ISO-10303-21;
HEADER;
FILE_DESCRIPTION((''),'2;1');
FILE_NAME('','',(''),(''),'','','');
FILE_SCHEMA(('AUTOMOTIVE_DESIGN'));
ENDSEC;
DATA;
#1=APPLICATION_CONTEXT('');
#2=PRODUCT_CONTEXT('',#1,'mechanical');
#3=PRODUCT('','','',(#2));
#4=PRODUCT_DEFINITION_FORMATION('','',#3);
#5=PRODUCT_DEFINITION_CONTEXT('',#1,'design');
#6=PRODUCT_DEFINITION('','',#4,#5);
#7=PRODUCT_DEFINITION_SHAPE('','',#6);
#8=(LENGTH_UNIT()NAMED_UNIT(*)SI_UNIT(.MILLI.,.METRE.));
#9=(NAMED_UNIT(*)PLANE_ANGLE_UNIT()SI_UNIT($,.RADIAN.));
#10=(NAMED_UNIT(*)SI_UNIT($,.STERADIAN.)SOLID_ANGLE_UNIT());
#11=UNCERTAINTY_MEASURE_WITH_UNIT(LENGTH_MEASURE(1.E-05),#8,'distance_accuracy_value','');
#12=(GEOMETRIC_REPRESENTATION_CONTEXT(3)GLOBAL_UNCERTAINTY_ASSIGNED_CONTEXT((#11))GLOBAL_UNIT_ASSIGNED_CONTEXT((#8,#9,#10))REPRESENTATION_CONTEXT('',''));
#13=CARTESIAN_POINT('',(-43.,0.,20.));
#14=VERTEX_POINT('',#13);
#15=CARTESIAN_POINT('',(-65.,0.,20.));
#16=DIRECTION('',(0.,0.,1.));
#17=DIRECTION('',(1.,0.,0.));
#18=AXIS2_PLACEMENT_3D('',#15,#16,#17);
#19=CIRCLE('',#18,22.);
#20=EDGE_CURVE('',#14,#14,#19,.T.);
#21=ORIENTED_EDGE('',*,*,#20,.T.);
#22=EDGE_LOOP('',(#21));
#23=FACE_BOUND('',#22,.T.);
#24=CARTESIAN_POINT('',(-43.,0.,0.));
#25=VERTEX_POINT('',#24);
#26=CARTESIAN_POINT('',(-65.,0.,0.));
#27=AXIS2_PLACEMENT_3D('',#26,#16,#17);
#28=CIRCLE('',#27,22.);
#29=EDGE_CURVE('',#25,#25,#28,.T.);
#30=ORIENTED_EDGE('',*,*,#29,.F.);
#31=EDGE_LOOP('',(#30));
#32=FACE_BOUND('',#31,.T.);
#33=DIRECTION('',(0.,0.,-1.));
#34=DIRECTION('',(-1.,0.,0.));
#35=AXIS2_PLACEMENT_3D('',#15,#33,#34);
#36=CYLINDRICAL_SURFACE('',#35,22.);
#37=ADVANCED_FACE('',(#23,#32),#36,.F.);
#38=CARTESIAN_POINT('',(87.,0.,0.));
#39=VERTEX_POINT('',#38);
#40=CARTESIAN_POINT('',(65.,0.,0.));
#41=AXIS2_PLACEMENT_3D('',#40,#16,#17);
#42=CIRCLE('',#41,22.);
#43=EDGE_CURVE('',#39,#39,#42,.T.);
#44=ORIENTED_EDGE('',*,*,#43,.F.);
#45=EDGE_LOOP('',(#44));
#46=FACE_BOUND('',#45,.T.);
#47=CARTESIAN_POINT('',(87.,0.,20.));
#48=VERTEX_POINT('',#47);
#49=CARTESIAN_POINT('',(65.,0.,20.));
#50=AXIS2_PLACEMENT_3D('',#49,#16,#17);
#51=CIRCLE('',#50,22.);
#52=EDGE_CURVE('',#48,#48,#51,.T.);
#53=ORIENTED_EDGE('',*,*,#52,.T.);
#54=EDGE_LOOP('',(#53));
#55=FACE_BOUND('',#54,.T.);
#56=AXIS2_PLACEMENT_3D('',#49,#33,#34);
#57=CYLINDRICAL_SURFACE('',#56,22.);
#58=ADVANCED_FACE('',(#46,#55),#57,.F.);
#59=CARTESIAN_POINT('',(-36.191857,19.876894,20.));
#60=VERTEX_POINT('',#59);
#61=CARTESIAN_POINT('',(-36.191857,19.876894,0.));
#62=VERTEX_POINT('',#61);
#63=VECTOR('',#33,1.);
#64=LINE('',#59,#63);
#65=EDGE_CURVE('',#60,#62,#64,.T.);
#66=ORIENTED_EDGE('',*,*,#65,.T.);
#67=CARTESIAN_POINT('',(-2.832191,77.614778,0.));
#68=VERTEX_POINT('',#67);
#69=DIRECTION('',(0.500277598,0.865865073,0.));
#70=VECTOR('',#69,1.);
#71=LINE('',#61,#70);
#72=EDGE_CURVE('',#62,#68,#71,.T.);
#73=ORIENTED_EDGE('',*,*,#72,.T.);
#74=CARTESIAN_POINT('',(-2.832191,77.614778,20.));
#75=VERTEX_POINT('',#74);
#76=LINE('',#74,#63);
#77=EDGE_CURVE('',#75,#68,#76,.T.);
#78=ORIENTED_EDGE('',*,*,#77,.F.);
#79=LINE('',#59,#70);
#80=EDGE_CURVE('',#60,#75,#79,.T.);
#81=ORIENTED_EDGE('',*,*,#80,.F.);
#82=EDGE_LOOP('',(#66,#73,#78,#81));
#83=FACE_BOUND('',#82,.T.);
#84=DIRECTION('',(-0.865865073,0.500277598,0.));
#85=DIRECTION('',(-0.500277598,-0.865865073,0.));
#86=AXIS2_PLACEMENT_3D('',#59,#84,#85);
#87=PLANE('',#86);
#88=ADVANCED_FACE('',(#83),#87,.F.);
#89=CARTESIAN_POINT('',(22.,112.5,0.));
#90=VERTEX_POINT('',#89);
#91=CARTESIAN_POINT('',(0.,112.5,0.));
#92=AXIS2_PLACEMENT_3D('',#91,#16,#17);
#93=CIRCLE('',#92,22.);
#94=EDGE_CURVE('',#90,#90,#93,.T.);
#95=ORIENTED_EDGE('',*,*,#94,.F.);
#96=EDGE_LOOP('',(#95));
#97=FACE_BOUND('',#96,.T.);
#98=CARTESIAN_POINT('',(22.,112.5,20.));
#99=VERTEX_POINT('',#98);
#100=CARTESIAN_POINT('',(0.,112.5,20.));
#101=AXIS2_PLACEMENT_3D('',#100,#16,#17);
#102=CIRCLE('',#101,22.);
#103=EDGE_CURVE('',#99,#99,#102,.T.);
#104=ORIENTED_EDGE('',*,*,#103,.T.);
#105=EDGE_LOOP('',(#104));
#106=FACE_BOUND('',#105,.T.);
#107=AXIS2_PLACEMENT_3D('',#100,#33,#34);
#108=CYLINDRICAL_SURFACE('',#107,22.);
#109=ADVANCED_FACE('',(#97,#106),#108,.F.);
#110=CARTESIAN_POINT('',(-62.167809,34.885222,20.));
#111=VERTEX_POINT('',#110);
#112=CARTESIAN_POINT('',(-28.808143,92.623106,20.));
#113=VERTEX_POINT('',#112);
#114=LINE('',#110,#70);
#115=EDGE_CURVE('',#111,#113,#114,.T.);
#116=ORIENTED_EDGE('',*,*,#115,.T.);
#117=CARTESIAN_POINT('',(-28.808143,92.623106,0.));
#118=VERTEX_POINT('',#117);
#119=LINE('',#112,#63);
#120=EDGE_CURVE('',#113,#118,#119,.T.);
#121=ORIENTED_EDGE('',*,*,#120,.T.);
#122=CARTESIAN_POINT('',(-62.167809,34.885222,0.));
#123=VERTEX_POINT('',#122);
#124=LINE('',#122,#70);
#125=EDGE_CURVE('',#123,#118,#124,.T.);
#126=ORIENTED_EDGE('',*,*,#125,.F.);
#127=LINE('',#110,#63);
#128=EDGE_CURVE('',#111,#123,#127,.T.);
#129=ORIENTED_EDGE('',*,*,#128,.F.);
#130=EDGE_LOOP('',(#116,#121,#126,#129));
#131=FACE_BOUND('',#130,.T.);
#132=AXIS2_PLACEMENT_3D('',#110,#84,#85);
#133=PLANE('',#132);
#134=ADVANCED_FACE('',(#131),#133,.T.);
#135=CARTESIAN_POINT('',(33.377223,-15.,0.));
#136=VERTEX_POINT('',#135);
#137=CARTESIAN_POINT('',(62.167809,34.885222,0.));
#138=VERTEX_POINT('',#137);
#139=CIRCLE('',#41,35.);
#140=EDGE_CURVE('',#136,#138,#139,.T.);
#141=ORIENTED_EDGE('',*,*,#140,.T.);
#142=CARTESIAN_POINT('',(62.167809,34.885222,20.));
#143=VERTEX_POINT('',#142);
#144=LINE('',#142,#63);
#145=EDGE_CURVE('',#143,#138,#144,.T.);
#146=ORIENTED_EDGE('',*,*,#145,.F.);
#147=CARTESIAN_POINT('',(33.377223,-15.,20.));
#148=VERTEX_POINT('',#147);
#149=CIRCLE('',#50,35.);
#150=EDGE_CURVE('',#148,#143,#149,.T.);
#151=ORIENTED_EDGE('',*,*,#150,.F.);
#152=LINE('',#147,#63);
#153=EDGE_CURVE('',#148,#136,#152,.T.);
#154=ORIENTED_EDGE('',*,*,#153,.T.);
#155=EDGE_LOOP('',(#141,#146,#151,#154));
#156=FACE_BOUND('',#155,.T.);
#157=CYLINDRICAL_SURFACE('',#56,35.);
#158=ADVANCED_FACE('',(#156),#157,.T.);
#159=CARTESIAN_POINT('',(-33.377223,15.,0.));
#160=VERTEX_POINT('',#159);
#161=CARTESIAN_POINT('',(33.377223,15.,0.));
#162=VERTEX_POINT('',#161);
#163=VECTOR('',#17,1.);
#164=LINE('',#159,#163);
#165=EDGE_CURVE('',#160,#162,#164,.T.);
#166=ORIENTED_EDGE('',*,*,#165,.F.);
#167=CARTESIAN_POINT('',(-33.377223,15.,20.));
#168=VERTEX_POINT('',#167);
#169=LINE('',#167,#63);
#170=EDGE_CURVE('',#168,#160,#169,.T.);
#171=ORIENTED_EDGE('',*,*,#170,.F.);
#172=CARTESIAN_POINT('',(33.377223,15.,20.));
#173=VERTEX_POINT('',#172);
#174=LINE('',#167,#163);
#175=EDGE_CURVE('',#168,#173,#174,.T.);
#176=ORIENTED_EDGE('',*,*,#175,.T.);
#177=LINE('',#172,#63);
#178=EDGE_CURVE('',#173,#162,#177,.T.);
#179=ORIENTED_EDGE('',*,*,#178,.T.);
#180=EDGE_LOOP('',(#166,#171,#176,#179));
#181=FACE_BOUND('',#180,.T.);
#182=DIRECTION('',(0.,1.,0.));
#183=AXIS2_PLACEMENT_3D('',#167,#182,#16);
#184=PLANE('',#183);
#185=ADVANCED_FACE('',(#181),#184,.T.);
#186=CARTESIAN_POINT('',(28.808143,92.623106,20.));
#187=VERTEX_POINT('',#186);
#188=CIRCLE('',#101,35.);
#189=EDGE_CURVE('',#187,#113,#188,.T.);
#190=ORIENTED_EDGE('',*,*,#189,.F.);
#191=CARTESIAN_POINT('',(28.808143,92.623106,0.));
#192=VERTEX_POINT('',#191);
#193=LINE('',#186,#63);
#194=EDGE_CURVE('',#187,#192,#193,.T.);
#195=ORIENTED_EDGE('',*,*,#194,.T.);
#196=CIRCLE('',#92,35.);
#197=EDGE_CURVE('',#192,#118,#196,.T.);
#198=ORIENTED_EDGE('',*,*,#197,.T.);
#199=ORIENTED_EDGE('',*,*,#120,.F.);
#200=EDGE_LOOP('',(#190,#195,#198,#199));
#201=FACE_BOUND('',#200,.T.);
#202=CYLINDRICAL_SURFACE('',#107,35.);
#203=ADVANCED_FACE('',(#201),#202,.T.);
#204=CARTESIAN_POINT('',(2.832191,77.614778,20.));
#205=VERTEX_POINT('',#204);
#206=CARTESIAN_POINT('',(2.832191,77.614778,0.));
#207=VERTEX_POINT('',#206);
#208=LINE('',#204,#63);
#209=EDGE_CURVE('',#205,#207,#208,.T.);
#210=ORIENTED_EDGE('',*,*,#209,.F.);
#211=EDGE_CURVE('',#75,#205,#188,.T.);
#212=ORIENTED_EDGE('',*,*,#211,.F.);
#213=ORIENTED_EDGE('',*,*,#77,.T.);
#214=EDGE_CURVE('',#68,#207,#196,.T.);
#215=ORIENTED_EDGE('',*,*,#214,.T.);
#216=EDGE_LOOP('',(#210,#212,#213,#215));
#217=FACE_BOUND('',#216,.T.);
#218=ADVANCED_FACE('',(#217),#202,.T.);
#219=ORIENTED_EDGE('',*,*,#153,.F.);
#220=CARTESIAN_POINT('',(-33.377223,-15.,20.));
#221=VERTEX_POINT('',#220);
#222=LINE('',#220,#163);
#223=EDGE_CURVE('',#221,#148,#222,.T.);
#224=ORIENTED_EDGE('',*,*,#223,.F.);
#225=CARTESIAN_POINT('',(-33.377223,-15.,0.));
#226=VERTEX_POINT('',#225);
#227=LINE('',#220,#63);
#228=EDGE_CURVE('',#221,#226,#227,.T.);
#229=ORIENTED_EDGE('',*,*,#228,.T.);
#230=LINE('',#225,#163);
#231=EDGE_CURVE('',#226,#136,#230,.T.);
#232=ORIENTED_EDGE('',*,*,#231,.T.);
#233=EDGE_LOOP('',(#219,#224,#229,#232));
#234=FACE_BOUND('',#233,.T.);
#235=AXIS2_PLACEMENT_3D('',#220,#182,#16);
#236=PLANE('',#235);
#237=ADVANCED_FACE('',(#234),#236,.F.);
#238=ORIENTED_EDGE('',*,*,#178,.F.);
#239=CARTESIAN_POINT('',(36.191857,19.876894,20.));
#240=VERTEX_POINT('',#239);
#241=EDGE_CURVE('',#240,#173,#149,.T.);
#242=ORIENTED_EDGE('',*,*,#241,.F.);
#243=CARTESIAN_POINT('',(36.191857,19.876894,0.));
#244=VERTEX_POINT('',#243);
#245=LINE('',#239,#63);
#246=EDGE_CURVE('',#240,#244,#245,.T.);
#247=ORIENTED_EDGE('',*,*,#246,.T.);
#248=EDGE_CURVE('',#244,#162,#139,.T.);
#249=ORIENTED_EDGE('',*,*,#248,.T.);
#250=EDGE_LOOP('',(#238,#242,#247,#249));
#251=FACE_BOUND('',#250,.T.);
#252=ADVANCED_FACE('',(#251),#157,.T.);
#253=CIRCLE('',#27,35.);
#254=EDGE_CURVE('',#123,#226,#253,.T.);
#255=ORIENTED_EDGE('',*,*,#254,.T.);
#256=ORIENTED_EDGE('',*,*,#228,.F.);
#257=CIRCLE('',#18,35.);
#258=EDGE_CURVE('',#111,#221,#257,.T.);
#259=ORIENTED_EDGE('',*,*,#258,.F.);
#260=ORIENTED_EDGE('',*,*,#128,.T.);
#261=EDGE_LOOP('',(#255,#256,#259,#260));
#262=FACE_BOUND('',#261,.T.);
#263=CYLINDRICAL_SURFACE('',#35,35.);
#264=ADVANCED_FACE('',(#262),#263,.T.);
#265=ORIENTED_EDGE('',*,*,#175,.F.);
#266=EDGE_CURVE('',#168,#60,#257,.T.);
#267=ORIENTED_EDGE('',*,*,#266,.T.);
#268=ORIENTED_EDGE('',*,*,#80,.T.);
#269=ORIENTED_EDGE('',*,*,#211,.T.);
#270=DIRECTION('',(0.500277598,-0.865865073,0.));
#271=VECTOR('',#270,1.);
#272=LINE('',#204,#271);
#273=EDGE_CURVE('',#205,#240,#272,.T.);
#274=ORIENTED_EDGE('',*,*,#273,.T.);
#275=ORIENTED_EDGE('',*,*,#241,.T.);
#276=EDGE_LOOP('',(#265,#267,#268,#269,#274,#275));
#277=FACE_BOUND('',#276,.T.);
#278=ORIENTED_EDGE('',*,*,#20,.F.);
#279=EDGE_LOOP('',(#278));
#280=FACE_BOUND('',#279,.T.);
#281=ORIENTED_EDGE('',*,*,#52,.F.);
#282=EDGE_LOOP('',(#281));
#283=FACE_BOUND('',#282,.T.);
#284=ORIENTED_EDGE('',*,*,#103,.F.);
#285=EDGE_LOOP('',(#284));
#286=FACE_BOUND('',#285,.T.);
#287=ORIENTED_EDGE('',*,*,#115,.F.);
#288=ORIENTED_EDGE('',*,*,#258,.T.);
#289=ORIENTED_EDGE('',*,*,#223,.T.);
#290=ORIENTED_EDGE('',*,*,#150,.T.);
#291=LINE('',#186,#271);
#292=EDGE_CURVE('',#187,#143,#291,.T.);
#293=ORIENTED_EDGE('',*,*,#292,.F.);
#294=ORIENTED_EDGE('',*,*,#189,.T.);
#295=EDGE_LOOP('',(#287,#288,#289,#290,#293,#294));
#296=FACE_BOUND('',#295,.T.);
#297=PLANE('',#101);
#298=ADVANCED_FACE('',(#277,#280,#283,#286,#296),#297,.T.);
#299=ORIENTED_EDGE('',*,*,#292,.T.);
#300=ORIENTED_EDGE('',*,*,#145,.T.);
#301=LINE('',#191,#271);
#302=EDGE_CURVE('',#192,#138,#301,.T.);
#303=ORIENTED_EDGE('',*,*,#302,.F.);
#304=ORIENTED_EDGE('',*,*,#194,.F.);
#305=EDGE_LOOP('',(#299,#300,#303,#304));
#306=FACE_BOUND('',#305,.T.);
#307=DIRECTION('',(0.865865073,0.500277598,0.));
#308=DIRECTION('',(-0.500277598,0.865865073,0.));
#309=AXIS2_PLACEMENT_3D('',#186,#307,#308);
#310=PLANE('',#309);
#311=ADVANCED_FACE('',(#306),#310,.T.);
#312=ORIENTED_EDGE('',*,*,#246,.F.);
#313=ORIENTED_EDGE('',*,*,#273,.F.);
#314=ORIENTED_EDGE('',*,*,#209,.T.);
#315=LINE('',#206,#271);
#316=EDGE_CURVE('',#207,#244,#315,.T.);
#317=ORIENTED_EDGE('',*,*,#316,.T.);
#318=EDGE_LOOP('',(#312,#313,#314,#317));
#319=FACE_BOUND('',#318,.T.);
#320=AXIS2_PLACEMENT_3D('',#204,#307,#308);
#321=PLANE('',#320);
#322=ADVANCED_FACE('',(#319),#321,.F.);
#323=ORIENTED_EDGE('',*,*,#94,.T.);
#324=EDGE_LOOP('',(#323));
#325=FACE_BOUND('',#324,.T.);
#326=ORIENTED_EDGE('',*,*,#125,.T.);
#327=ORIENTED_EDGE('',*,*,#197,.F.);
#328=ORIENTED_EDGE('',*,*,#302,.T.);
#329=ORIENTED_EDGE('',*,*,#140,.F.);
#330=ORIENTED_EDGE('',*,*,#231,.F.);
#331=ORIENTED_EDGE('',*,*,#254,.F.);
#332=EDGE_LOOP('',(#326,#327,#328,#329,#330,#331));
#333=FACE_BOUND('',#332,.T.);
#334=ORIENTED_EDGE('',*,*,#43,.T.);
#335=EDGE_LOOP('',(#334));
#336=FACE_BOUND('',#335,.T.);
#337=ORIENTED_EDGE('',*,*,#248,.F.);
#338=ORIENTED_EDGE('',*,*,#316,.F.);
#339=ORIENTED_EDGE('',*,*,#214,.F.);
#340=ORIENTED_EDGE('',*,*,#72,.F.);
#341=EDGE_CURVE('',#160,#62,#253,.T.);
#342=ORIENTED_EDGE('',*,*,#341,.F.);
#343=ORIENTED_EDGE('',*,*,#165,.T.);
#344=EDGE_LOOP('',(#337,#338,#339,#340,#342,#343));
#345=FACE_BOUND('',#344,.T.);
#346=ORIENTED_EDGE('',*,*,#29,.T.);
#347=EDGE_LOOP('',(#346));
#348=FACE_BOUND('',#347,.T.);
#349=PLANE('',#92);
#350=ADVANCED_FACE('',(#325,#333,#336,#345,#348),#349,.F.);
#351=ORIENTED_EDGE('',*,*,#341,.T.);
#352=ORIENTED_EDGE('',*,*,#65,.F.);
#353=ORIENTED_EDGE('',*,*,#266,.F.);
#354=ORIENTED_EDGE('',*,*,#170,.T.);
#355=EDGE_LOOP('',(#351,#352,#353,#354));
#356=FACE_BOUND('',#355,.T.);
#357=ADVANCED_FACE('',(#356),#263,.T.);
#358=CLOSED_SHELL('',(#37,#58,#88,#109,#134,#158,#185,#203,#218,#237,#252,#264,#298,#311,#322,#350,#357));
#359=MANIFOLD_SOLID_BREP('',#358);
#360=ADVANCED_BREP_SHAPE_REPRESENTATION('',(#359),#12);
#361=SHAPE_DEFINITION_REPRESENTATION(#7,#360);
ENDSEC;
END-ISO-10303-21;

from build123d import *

# Parameters (mm, degrees)
SKETCH1_R           = 22
BOSS_EXTRUDE1_DEPTH = 20


with BuildPart() as part:
    # Sketch1 → Boss-Extrude1 (new body)
    with BuildSketch(Plane.XY):
        with BuildLine():
            Line((-33.377223398, -15), (33.377223398, -15))
            ThreePointArc((33.377223398, -15), (95.313693749, -17.495141363), (62.167809382, 34.885221747))
            Line((62.167809382, 34.885221747), (28.808142815, 92.62310619))
            ThreePointArc((28.808142815, 92.62310619), (0, 147.5), (-28.808142815, 92.62310619))
            Line((-28.808142815, 92.62310619), (-62.167809382, 34.885221747))
            ThreePointArc((-62.167809382, 34.885221747), (-95.313693749, -17.495141363), (-33.377223398, -15))
        make_face()
        with Locations((0, 112.5)):
            Circle(SKETCH1_R, mode=Mode.SUBTRACT)
        with Locations((65, 0)):
            Circle(SKETCH1_R, mode=Mode.SUBTRACT)
        with Locations((-65, 0)):
            Circle(SKETCH1_R, mode=Mode.SUBTRACT)
        with BuildLine():
            Line((-33.377223398, 15), (33.377223398, 15))
            ThreePointArc((33.377223398, 15), (34.686306251, 17.495141363), (36.191857185, 19.87689381))
            Line((36.191857185, 19.87689381), (2.832190618, 77.614778253))
            ThreePointArc((2.832190618, 77.614778253), (0, 77.5), (-2.832190618, 77.614778253))
            Line((-2.832190618, 77.614778253), (-36.191857185, 19.87689381))
            ThreePointArc((-36.191857185, 19.87689381), (-34.686306251, 17.495141363), (-33.377223398, 15))
        make_face(mode=Mode.SUBTRACT)
    extrude(amount=BOSS_EXTRUDE1_DEPTH)


solid = part.part
